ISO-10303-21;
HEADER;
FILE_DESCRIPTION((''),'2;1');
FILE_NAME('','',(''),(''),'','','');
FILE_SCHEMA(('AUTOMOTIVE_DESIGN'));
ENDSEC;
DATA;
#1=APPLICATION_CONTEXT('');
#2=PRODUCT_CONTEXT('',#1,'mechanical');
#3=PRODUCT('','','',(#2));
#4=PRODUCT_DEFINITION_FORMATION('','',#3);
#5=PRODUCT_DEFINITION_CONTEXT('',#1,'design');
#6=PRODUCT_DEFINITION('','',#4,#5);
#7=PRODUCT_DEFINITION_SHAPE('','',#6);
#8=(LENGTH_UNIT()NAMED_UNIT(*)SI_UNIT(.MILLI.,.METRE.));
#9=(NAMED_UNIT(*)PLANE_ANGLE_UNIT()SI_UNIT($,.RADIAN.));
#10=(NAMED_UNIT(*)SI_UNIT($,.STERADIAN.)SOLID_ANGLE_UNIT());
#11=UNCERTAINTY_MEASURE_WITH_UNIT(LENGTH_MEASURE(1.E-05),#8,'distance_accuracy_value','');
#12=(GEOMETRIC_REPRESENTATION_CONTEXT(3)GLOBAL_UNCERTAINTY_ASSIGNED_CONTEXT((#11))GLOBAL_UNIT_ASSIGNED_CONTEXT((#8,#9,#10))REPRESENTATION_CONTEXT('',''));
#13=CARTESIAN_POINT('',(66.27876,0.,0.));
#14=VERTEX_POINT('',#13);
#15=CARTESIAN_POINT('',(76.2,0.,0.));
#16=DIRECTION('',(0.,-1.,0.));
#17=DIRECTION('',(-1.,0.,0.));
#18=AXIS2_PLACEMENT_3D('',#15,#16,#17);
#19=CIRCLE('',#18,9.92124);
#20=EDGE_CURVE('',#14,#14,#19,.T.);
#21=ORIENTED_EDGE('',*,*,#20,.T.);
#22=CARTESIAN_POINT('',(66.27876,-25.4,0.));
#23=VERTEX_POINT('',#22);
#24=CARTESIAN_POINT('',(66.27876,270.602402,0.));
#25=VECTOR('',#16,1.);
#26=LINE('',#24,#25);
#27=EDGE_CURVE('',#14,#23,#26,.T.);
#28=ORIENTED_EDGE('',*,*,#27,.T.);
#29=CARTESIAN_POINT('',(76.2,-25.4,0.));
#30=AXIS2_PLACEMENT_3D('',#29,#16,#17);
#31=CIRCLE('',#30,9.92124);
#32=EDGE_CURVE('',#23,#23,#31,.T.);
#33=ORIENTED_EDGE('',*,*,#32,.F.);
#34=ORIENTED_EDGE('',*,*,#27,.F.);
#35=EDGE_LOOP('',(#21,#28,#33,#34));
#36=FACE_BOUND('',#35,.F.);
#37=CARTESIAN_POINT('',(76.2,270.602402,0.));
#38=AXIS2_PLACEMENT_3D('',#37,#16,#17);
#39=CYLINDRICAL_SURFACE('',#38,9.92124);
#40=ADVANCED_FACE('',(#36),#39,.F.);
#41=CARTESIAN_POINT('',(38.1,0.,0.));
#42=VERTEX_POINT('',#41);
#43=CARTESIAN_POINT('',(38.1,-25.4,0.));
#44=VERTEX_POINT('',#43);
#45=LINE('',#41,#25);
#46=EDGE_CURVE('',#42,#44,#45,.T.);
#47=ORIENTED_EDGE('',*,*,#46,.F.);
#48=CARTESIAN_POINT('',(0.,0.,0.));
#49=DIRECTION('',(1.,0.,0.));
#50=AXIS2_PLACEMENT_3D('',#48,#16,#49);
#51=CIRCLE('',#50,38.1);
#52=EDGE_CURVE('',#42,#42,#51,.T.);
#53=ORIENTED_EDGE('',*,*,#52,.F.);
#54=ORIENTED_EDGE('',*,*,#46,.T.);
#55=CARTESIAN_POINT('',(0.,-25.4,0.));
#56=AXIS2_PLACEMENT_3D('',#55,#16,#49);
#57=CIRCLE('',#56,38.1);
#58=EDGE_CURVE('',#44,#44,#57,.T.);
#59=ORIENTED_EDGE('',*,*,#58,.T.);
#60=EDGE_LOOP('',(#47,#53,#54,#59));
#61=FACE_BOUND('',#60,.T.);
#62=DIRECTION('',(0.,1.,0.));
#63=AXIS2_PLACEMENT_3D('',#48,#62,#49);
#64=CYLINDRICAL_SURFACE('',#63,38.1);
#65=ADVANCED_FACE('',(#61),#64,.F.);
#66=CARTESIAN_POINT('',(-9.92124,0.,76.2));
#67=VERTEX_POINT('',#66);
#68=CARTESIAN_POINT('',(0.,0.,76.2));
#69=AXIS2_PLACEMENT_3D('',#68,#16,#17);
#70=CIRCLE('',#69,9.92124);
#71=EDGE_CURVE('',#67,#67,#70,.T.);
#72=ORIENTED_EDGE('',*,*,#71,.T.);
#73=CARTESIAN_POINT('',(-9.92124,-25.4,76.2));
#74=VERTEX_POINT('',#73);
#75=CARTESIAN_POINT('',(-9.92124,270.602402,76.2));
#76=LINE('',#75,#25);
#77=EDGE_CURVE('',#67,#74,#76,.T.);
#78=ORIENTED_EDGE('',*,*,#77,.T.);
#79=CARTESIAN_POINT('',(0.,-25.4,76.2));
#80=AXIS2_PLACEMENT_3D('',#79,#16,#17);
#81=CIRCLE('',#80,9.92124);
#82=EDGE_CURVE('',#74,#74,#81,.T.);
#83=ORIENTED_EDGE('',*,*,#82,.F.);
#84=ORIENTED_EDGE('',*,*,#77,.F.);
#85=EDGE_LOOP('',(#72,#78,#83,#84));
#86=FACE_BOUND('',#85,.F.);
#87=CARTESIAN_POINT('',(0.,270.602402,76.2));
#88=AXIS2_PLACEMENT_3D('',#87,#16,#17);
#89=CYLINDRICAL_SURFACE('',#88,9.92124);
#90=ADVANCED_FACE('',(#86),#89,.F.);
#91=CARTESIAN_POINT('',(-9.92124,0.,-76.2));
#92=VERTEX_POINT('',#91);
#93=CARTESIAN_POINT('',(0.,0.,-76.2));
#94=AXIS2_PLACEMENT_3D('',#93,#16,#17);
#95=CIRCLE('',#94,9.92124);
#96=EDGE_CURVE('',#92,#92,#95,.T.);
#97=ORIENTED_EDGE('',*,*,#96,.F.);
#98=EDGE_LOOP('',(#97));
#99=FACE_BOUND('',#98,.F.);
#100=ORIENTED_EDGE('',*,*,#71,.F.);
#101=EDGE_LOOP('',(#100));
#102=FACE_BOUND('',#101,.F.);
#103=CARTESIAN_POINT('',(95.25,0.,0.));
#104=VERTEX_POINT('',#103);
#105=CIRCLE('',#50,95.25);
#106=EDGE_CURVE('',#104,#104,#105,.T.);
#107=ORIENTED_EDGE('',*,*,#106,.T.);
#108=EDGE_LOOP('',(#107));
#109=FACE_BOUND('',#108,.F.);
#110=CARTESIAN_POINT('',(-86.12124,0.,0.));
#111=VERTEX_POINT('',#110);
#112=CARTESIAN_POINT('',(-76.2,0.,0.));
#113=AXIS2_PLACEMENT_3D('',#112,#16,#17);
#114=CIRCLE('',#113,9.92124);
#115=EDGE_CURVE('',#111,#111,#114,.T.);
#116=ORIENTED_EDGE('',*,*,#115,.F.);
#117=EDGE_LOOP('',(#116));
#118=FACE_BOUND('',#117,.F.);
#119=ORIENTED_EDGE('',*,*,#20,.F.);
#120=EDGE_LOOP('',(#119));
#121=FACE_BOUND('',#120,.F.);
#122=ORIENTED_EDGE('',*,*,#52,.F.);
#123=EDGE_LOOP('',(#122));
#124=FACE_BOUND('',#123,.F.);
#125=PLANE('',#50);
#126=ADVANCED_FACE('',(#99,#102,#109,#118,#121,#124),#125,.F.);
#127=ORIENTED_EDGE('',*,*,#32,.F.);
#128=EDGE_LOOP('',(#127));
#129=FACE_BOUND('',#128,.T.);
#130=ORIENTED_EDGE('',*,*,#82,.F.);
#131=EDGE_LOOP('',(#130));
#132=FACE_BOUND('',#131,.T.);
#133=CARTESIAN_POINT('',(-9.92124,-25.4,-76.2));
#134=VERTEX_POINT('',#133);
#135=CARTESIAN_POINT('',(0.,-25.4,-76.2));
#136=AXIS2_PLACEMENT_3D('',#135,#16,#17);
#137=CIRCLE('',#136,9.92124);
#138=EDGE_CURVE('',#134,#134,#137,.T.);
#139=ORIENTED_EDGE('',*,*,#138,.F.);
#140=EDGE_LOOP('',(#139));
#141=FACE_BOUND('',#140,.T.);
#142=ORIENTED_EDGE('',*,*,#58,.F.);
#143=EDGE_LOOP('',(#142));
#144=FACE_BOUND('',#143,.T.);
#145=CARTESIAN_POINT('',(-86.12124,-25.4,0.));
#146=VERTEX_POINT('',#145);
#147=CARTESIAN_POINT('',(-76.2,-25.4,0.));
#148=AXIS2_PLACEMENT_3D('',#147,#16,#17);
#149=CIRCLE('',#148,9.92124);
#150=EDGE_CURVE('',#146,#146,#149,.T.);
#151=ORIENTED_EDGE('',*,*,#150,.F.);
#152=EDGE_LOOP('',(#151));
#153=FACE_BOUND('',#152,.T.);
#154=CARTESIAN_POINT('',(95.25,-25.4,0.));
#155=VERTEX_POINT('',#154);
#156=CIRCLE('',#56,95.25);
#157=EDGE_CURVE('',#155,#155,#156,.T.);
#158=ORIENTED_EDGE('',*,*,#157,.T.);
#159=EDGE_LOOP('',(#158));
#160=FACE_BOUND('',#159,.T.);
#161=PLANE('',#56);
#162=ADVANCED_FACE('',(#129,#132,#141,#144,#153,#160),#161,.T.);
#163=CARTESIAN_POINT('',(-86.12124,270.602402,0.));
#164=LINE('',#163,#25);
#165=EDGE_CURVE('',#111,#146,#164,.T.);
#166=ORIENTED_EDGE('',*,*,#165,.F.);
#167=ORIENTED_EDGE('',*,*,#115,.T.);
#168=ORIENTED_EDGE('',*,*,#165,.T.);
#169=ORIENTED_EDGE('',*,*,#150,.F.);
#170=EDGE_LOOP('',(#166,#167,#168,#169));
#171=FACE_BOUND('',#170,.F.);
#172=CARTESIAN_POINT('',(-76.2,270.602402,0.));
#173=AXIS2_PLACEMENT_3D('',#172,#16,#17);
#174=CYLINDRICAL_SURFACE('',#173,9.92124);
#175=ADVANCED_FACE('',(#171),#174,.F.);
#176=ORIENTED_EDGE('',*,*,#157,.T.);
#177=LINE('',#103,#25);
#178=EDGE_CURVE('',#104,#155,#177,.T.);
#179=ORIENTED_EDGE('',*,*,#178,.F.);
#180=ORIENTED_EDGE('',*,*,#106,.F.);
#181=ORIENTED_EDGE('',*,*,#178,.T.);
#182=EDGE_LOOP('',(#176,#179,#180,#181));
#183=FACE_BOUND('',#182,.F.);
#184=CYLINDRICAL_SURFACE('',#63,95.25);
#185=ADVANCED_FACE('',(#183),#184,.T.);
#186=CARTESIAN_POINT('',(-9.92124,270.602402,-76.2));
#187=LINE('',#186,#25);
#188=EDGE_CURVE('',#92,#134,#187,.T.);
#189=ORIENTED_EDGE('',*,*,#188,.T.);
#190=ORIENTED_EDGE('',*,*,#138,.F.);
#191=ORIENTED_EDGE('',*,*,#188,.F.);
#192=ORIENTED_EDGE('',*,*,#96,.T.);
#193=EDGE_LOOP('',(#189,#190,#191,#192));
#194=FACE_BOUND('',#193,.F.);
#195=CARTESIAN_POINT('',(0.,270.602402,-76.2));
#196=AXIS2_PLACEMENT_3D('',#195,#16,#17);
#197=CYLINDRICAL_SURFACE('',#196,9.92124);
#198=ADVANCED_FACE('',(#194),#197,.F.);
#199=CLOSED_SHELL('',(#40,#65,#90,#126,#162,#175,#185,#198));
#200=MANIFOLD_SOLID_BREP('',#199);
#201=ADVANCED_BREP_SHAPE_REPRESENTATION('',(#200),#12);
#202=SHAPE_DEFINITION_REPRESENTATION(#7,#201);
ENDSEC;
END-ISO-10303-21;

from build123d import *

# Parameters (mm, degrees)
F0_R     = 95.25
F0_R_2   = 38.1
F1_DEPTH = 25.4
F2_D     = 19.84248


with BuildPart() as f1:
    # F0 (on Front) → F1 (new body)
    with BuildSketch(Plane.XZ):
        Circle(F0_R)
        Circle(F0_R_2, mode=Mode.SUBTRACT)
    extrude(amount=F1_DEPTH)

    # F2 (through all)
    with Locations(Plane(origin=(0, 0, 0), x_dir=(1, 0, 0), z_dir=(0, 1, 0))):
        with Locations((-76.2, 0), (0, -76.2), (76.2, 0), (0, 76.2)):
            Hole(F2_D / 2)


solid = f1.part
